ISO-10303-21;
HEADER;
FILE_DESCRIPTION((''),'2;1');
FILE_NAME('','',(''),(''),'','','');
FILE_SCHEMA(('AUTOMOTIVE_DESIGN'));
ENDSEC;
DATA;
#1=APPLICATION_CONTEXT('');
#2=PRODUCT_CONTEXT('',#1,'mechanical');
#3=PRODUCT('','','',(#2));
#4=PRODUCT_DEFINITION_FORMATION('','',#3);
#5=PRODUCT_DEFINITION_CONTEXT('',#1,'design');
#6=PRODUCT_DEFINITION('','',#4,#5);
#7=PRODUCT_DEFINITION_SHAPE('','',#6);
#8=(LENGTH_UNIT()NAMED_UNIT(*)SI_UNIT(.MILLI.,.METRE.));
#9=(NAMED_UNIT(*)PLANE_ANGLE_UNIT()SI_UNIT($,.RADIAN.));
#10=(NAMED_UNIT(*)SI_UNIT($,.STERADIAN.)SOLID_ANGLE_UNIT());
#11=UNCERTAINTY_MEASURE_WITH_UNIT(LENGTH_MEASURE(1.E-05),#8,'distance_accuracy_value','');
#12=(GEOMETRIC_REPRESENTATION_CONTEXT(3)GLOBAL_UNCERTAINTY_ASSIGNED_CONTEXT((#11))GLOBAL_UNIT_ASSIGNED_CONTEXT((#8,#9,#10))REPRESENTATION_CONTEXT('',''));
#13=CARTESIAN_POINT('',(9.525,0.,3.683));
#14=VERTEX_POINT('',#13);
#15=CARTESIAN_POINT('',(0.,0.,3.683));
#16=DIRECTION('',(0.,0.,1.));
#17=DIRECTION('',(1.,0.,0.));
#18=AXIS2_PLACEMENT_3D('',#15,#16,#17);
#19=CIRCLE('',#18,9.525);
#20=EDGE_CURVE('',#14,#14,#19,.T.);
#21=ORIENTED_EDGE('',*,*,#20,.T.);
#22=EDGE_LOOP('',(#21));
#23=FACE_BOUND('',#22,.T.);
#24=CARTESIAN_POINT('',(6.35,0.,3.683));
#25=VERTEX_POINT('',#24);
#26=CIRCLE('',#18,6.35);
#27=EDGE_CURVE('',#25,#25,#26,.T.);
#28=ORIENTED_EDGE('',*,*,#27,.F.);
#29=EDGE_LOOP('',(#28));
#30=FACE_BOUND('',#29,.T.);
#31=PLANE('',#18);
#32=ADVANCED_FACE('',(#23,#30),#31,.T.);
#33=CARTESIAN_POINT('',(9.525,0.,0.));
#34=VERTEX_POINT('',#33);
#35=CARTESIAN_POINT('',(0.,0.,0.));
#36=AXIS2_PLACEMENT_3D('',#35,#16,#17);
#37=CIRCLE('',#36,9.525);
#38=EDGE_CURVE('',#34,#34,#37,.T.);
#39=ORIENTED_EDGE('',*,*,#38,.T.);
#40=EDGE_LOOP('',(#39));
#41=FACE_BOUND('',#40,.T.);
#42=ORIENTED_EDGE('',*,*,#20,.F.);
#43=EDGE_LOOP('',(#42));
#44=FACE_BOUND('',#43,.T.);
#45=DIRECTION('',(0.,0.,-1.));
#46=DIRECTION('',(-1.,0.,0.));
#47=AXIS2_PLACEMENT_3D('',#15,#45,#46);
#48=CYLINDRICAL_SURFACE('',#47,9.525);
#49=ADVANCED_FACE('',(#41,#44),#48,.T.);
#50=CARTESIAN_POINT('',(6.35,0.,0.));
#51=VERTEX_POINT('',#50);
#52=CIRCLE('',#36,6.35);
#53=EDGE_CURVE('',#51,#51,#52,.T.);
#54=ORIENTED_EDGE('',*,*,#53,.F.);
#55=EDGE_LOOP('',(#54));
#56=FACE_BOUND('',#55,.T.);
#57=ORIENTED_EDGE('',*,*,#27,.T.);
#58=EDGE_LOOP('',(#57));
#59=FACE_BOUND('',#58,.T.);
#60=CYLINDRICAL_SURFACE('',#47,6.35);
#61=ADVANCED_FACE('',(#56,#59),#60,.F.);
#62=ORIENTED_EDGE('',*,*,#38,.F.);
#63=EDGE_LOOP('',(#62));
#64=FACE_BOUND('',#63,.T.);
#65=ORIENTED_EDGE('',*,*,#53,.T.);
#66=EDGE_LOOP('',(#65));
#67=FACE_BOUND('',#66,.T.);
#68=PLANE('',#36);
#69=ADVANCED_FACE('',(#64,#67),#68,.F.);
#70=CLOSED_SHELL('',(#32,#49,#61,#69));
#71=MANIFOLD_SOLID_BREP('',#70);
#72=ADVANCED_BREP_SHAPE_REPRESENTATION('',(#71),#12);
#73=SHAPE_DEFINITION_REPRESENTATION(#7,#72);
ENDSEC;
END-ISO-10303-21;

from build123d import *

# Parameters (mm, degrees)
SKETCH1_R           = 9.525
SKETCH1_R_2         = 6.35
BOSS_EXTRUDE1_DEPTH = 3.683


with BuildPart() as part:
    # Sketch1 → Boss-Extrude1 (new body)
    with BuildSketch(Plane.XY):
        Circle(SKETCH1_R)
        Circle(SKETCH1_R_2, mode=Mode.SUBTRACT)
    extrude(amount=BOSS_EXTRUDE1_DEPTH)


solid = part.part
